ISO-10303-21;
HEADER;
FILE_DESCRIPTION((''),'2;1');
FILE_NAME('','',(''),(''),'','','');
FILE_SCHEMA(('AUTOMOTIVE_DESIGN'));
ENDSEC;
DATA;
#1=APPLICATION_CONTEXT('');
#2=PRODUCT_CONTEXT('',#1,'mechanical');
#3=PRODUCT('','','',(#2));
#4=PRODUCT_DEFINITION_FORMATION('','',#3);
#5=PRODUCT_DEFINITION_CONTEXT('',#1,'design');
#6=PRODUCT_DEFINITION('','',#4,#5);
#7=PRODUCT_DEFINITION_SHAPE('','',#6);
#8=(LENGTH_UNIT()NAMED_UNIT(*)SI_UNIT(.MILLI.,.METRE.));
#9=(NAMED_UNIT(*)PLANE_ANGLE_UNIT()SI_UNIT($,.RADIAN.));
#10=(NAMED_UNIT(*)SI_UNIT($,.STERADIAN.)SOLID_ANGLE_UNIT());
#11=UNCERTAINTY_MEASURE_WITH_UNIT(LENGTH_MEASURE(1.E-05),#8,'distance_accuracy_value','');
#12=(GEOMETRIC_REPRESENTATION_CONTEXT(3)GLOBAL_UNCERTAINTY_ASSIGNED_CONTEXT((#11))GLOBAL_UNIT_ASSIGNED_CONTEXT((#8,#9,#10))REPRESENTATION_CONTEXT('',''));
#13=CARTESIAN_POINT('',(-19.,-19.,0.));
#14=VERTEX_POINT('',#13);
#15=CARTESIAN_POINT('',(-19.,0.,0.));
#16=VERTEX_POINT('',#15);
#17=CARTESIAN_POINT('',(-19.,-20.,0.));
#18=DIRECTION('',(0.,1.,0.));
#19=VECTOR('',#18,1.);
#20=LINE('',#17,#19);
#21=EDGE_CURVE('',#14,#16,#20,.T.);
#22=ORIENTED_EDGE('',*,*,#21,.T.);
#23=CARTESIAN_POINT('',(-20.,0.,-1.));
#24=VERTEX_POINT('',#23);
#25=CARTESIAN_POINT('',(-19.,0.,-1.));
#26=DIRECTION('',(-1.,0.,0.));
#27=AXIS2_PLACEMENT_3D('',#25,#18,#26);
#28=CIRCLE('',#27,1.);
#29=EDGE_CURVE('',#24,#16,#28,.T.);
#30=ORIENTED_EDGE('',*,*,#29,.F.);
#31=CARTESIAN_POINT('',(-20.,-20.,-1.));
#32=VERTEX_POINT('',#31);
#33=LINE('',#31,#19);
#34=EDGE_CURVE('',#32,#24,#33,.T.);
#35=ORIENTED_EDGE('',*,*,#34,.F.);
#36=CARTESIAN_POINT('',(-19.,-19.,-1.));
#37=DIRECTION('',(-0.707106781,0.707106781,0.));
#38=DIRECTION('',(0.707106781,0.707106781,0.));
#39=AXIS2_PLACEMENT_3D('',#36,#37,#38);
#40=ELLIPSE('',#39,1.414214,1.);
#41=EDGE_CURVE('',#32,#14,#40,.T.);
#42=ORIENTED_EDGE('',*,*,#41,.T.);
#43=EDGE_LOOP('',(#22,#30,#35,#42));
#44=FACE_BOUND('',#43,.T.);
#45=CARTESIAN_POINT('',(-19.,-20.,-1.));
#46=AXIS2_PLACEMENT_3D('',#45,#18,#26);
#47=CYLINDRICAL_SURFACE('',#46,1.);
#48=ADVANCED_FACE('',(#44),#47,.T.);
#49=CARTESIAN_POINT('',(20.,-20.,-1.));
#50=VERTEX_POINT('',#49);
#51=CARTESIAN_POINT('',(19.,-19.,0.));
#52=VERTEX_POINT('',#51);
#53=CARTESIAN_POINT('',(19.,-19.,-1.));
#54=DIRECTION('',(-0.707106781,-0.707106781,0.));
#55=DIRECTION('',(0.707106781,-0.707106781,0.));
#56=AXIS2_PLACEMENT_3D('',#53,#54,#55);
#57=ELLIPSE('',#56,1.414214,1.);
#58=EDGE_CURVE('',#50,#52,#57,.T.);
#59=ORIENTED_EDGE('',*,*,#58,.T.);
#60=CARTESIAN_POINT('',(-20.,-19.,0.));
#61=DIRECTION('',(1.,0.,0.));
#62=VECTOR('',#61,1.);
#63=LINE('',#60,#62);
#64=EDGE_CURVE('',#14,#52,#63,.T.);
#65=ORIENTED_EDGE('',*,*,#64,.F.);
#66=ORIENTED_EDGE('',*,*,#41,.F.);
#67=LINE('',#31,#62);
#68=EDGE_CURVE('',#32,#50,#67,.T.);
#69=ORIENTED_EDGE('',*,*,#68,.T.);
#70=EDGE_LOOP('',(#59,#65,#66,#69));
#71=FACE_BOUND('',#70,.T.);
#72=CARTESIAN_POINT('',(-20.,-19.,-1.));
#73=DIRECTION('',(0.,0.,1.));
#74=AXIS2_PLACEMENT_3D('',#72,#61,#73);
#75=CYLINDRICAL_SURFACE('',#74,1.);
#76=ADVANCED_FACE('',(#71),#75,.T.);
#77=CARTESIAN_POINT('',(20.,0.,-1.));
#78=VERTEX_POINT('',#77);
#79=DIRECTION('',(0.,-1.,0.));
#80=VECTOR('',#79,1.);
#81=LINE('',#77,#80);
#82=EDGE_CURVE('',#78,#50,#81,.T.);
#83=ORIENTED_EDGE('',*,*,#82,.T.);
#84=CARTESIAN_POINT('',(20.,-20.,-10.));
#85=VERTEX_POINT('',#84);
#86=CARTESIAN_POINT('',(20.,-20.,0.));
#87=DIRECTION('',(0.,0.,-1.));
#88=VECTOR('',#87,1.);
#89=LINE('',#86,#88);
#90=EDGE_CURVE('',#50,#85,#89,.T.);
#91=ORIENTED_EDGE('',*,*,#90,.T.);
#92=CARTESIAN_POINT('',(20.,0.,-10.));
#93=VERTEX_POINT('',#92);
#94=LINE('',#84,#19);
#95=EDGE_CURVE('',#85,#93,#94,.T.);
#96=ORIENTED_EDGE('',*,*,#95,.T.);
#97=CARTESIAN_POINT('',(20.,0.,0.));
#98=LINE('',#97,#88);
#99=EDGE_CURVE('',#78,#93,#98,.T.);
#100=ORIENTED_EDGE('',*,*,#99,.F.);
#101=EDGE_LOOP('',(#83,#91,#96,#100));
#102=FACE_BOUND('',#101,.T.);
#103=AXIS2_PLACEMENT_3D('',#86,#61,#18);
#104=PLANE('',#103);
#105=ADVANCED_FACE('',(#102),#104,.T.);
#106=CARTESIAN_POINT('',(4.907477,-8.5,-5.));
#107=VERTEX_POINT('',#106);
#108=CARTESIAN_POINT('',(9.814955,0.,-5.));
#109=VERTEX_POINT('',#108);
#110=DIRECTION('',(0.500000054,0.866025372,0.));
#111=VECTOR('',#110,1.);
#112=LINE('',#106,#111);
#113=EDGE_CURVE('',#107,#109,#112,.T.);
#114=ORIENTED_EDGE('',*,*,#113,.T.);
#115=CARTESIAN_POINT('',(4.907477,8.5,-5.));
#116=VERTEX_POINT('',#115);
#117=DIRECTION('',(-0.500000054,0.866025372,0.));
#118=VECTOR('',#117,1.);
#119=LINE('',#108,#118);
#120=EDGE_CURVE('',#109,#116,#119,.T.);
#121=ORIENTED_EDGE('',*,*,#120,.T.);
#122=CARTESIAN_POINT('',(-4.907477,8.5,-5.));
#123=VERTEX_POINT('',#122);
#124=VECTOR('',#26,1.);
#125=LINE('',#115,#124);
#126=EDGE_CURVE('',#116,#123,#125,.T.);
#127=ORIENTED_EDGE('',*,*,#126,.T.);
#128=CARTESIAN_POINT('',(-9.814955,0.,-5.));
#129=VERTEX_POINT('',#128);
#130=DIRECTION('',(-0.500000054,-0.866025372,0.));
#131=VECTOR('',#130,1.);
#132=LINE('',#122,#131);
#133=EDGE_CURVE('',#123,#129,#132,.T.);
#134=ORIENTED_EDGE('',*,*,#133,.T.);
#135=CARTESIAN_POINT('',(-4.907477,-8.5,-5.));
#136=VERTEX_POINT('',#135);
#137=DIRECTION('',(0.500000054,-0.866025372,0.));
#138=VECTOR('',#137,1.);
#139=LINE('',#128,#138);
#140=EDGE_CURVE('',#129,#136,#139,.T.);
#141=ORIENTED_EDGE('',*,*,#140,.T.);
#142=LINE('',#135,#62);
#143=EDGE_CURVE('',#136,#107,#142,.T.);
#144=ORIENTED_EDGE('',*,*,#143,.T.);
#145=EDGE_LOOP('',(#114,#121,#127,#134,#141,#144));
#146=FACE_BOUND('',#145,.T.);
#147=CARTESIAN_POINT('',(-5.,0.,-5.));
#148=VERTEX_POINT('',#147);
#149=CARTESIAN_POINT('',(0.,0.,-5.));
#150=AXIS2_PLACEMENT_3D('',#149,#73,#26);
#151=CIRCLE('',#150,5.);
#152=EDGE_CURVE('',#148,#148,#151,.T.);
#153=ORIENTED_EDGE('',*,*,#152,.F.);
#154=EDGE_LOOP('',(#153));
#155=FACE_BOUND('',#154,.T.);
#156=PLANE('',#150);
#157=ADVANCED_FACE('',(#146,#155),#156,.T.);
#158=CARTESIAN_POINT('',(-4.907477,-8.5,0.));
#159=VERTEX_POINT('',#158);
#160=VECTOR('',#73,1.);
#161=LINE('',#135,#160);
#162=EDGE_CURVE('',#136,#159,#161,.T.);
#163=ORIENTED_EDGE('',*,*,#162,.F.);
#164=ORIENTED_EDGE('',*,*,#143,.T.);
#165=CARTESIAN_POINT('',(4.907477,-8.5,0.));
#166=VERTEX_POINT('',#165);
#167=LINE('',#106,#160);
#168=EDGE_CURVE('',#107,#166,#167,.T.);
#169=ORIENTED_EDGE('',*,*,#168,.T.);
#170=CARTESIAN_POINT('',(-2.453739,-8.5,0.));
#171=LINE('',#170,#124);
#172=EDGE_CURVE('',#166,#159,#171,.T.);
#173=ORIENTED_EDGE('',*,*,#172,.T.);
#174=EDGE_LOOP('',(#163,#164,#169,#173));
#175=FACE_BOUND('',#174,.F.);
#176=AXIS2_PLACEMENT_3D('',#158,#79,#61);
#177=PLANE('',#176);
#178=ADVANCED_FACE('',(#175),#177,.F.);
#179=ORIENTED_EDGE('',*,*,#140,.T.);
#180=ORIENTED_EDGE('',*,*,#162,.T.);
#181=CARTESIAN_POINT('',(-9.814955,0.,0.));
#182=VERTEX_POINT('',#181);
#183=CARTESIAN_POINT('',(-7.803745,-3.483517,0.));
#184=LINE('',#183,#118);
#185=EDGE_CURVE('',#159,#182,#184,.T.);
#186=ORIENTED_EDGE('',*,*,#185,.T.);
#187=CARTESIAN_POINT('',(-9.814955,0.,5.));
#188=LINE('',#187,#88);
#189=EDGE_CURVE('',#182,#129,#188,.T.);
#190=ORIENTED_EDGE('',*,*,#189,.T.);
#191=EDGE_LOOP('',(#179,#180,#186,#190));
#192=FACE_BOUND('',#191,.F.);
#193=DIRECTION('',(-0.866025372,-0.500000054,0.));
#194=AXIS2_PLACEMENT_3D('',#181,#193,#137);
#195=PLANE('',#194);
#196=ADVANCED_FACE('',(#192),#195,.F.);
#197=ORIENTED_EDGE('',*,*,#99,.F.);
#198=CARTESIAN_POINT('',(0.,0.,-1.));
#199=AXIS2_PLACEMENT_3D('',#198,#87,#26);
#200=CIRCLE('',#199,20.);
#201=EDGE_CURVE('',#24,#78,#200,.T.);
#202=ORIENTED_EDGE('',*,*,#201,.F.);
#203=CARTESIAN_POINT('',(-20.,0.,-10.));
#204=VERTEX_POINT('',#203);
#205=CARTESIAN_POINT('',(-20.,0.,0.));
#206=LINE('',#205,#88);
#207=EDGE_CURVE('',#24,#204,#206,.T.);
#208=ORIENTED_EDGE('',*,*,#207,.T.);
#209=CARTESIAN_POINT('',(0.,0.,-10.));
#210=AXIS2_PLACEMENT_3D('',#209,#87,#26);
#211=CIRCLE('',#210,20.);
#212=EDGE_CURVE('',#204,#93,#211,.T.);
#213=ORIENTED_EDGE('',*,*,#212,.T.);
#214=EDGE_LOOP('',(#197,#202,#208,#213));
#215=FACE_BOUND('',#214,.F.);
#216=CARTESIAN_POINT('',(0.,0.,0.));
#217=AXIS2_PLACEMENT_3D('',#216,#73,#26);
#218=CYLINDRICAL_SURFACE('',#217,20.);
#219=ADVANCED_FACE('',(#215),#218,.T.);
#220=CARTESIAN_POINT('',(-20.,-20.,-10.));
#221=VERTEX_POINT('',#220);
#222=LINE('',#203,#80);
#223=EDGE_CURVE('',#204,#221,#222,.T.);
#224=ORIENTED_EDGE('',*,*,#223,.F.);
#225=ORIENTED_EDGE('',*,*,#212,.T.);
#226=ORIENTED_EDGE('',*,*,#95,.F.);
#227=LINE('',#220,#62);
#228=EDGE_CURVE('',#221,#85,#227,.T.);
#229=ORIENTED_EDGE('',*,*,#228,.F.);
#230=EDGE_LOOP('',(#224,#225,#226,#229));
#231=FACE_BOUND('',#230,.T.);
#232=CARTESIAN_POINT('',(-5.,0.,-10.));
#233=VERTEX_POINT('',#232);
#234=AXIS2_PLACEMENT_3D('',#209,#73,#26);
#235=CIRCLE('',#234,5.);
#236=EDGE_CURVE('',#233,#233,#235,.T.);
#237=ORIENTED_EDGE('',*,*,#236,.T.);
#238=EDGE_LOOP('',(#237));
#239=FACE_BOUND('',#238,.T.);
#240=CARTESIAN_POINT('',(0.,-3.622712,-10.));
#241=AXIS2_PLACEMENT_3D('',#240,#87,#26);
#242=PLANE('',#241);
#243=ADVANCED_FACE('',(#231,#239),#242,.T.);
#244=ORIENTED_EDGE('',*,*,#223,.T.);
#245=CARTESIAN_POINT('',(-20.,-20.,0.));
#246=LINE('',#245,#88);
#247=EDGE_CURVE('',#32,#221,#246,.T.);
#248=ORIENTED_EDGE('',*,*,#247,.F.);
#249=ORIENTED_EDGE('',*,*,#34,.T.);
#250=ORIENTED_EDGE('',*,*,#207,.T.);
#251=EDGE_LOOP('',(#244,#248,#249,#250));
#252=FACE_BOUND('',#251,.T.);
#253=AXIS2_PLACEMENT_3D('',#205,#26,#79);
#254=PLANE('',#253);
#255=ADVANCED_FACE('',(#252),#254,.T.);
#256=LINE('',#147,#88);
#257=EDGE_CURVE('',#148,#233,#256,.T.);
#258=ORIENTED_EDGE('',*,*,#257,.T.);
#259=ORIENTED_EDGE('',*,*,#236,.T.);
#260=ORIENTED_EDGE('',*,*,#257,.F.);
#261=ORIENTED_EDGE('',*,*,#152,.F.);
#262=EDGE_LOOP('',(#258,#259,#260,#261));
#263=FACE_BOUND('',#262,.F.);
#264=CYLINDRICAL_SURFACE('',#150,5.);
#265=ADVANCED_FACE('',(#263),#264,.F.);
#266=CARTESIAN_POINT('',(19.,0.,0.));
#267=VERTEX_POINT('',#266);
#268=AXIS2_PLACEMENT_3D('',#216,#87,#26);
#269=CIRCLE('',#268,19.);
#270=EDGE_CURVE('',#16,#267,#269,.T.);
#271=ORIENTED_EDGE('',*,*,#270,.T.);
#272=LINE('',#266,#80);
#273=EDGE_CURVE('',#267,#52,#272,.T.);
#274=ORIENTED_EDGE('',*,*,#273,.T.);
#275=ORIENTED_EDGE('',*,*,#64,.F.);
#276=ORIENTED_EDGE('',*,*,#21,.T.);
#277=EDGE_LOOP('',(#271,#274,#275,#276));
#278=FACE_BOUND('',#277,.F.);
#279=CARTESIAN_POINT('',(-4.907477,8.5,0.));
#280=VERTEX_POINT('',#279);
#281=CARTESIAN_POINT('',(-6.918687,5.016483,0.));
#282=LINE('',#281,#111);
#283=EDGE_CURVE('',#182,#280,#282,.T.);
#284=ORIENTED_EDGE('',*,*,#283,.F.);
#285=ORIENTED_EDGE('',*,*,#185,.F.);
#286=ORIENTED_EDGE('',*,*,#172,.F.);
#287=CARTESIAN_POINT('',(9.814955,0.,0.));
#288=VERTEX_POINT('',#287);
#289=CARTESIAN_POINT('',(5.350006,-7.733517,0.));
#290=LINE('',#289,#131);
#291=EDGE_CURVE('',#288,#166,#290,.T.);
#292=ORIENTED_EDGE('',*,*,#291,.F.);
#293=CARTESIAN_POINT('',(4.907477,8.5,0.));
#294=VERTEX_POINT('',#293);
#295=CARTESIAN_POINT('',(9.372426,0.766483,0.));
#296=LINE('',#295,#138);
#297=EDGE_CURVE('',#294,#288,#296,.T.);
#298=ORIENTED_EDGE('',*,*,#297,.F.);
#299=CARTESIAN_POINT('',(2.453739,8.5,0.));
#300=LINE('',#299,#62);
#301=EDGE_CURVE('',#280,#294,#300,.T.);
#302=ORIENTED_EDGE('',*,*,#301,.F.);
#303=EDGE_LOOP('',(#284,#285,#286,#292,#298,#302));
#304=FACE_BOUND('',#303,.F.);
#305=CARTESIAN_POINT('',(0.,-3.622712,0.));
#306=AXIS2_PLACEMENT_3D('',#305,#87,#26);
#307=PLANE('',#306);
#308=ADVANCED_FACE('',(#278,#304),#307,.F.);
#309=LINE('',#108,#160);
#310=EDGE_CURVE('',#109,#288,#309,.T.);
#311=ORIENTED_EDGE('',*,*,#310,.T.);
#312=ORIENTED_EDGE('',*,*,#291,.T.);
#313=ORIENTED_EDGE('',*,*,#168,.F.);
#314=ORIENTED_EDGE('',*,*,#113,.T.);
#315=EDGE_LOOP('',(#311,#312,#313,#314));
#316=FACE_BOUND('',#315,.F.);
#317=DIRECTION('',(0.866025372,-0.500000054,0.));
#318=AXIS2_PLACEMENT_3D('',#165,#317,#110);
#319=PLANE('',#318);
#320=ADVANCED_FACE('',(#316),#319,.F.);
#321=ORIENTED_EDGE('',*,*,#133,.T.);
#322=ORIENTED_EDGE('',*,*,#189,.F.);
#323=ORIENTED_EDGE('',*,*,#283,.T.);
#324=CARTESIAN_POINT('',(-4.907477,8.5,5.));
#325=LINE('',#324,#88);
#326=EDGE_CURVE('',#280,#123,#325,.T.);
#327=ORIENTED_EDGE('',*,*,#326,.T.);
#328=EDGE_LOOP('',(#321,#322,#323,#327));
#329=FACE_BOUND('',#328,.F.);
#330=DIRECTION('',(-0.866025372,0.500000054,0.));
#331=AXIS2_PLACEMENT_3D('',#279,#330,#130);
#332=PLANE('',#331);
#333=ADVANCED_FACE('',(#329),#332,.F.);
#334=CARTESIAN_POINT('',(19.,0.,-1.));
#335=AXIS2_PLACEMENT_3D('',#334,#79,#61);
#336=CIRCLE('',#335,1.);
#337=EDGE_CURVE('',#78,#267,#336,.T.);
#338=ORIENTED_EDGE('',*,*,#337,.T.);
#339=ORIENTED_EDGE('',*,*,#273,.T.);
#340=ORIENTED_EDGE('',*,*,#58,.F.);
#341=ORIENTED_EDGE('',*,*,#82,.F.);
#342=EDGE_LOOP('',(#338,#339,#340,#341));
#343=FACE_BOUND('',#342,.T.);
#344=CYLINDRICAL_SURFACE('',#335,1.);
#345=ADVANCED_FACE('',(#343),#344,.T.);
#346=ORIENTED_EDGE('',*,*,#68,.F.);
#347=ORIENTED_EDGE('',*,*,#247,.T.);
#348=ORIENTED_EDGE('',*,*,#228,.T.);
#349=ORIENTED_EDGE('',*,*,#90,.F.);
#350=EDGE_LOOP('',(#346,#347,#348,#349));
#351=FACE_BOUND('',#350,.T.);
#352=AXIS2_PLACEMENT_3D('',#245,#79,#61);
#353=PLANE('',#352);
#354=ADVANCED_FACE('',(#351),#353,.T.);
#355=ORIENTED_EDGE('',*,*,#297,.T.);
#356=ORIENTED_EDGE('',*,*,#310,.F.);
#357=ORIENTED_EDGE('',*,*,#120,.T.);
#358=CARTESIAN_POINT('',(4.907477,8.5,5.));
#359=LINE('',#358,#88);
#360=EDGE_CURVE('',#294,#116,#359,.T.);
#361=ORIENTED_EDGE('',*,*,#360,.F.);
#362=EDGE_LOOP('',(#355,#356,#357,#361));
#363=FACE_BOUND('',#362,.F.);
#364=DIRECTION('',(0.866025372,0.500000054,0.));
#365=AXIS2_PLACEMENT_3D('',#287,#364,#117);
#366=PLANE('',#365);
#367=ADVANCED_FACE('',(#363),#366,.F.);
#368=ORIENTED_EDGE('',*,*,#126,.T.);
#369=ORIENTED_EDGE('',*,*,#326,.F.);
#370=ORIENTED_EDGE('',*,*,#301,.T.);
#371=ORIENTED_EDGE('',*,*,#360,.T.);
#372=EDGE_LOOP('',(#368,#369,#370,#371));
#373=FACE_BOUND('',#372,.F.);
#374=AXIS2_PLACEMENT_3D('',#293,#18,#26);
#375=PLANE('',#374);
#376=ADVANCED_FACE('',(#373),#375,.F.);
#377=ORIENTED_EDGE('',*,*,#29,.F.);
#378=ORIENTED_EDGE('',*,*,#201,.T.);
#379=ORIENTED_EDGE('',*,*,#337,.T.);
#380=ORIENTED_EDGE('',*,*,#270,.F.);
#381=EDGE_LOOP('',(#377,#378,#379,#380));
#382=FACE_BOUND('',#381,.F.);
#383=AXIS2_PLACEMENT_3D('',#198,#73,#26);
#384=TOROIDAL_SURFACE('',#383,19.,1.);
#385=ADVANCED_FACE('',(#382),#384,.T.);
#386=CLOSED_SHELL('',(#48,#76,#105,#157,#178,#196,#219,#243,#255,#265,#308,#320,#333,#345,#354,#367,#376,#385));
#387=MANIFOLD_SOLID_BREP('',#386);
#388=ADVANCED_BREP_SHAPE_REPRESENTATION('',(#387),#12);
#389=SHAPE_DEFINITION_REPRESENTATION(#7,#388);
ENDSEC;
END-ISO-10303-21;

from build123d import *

# Parameters (mm, degrees)
SKETCH002_R          = 5
EXTRUDE005_DEPTH     = 10
EXTRUDE001_DEPTH     = 5
EXTRUDE_DEPTH        = 10
FILLET_R             = 1
BODY_PLACEMENT_ANGLE = 180


with BuildPart() as extrude005:
    # Sketch002 (on Face13 of Cut) → Extrude005 (new body)
    with BuildSketch(Plane(origin=(0, 0, 5), x_dir=(1, 0, 0), z_dir=(0, 0, -1))):
        Circle(SKETCH002_R)
    extrude(amount=-EXTRUDE005_DEPTH)


with BuildPart() as extrude001:
    # Sketch001 (on Face5 of Extrude) → Extrude001 (new body, symmetric)
    with BuildSketch(Plane(origin=(0, 0, 0), x_dir=(1, 0, 0), z_dir=(0, 0, -1))):
        Polygon((9.814955, 0), (4.907477, 8.5), (-4.907477, 8.5), (-9.814955, 0), (-4.907477, -8.5), (4.907477, -8.5), align=None)
    extrude(amount=EXTRUDE001_DEPTH, both=True)


with BuildPart() as body:
    # Sketch → Extrude (new body)
    with BuildSketch(Plane.XY):
        with BuildLine():
            ThreePointArc((20, 0), (0, 20), (-20, 0))
            Line((-20, -20), (-20, 0))
            Line((20, -20), (-20, -20))
            Line((20, 0), (20, -20))
        make_face()
    extrude(amount=EXTRUDE_DEPTH)

    # Cut: cut Extrude001
    add(extrude001.part, mode=Mode.SUBTRACT)

    # Cut001: cut Extrude005
    add(extrude005.part, mode=Mode.SUBTRACT)

    # Fillet
    fillet_edges = [body.edges().sort_by_distance(p)[0] for p in [
        (0, 20, 0),
        (20, -10, 0),
        (0, -20, 0),
        (-20, -10, 0),
    ]]
    fillet(fillet_edges, radius=FILLET_R)


with BuildPart() as body_1:
    # Body placement: moved
    add(body.part.rotate(Axis((0, 0, 0), (0, 1, 0)), BODY_PLACEMENT_ANGLE))


solid = body_1.part
